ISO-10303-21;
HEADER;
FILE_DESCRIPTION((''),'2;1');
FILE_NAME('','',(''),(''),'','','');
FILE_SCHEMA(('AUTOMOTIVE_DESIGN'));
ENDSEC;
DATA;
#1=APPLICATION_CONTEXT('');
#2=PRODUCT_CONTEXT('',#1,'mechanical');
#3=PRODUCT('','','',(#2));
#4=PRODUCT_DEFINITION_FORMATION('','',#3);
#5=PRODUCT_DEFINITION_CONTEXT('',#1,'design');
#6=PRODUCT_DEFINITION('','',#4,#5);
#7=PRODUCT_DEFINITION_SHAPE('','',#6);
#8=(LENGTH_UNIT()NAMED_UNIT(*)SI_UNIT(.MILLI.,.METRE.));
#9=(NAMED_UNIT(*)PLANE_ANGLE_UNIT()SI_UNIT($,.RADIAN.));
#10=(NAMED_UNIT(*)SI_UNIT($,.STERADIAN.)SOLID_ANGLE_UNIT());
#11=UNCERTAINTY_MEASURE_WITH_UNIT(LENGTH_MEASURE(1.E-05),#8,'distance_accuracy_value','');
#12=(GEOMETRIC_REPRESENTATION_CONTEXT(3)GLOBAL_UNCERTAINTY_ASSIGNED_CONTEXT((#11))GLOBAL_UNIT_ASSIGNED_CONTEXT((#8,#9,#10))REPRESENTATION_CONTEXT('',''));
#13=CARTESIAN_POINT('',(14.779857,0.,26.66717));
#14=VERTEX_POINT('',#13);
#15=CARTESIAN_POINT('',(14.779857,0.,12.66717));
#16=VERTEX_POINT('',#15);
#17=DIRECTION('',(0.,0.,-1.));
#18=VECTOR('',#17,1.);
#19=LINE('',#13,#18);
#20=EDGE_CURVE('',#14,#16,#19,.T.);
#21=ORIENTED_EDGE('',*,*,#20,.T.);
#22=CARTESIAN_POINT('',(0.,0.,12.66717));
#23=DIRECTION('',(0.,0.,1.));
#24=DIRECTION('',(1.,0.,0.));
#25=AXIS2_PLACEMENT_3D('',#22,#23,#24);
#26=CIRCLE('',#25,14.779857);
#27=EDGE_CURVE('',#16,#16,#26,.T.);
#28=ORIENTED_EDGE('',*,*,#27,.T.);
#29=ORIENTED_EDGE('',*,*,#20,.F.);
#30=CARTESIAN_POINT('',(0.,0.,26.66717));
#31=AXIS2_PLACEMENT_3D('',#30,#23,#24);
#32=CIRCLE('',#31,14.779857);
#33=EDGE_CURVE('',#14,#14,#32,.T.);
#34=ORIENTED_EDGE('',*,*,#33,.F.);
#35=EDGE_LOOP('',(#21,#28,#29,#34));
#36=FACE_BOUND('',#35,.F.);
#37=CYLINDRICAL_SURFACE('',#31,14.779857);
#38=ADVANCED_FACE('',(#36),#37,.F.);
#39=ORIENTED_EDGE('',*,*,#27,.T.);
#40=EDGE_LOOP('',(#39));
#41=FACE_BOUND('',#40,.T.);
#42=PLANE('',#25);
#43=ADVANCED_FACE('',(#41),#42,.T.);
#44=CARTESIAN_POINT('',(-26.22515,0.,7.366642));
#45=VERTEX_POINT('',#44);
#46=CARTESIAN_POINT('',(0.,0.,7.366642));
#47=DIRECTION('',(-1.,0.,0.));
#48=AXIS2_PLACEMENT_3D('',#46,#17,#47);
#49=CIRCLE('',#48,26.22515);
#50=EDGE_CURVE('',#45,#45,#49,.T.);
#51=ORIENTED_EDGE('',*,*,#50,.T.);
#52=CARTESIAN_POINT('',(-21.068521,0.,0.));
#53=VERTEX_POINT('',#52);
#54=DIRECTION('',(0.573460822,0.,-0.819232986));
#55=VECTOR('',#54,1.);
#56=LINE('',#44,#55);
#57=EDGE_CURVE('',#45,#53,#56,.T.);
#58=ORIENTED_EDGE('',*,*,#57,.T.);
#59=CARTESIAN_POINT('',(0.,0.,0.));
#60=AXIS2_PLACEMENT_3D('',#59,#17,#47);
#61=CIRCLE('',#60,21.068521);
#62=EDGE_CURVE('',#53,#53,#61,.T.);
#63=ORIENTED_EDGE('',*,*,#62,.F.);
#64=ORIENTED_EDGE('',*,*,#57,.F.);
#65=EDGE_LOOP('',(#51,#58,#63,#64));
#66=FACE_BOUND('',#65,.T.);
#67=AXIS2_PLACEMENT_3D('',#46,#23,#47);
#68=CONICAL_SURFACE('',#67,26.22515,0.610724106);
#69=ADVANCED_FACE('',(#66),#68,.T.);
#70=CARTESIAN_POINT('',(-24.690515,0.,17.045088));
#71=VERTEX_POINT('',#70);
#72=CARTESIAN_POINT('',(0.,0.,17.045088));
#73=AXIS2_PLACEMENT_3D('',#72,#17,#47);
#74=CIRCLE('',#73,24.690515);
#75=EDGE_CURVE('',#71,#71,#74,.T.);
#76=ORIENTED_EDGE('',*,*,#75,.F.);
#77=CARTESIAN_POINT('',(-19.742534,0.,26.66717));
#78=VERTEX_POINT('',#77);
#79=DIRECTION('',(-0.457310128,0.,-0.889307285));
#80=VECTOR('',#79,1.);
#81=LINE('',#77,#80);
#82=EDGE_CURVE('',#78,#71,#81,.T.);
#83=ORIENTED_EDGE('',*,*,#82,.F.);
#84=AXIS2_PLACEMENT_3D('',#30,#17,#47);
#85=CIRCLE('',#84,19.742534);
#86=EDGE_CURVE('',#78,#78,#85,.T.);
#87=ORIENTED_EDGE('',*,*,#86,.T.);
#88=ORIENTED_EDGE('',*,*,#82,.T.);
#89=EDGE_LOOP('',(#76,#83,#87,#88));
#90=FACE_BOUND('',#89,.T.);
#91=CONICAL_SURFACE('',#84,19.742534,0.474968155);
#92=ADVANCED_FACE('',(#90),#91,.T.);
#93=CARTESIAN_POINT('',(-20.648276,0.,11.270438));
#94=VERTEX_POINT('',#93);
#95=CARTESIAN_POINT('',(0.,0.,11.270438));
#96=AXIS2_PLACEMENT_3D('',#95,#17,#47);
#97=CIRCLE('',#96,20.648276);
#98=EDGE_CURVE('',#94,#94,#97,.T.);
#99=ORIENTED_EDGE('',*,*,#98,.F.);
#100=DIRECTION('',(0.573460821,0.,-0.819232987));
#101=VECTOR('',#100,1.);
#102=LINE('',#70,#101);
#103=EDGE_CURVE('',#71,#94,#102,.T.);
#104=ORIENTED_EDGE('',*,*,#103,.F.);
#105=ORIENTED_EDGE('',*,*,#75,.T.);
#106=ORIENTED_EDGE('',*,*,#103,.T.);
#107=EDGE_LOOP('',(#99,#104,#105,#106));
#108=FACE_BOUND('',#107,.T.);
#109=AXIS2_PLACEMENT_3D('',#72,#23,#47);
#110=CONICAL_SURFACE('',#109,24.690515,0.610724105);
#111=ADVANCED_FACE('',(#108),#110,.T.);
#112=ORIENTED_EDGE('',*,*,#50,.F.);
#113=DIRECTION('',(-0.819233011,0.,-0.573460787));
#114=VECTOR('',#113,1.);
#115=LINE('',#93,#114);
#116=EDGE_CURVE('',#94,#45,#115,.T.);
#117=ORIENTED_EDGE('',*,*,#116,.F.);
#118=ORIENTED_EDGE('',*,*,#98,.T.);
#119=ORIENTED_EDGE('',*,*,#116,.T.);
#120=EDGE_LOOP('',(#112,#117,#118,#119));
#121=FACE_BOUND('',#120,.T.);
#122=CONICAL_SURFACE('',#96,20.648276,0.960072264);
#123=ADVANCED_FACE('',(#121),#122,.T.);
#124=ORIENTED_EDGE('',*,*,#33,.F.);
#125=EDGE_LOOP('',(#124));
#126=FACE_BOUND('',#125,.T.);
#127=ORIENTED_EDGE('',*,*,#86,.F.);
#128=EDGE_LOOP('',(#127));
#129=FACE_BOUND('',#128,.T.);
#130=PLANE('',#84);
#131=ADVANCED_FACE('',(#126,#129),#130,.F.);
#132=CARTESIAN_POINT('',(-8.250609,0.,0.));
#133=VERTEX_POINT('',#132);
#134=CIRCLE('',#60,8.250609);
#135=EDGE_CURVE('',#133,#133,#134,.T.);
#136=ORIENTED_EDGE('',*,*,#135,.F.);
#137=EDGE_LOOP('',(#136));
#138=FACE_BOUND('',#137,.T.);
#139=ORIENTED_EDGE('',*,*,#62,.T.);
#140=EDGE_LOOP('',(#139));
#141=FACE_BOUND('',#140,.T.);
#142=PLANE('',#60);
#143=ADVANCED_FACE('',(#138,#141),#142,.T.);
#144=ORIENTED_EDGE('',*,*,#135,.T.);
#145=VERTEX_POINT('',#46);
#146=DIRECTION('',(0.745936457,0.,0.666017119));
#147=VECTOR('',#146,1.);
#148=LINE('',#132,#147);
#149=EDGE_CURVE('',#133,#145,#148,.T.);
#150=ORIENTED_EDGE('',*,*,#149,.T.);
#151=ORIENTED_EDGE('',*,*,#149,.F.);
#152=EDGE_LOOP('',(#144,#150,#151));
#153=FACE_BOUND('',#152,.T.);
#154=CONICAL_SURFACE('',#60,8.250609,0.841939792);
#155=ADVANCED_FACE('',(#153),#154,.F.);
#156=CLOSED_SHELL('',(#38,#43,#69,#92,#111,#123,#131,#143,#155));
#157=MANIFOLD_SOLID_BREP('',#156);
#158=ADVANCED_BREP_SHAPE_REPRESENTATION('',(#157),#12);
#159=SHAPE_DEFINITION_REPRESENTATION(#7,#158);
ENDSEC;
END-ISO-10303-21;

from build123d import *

# Parameters (mm, degrees)
F3_R     = 14.779857
F4_DEPTH = 14


with BuildPart() as f1:
    # F0 (on Front) → F1 (revolve)
    with BuildSketch(Plane.XZ):
        Polygon((-8.250609, 0), (0, 7.366642), (0, 26.66717), (-19.742534, 26.66717), (-24.690515, 17.045088), (-20.648276, 11.270438), (-26.22515, 7.366642), (-21.068521, 0), align=None)
    revolve(axis=Axis((0, 0, 17.016906), (0, 0, -1)))

    # F3 (on face) → F4 (cut)
    with BuildSketch(Plane.XY.offset(26.66717)):
        Circle(F3_R)
    extrude(amount=-F4_DEPTH, mode=Mode.SUBTRACT)


solid = f1.part
